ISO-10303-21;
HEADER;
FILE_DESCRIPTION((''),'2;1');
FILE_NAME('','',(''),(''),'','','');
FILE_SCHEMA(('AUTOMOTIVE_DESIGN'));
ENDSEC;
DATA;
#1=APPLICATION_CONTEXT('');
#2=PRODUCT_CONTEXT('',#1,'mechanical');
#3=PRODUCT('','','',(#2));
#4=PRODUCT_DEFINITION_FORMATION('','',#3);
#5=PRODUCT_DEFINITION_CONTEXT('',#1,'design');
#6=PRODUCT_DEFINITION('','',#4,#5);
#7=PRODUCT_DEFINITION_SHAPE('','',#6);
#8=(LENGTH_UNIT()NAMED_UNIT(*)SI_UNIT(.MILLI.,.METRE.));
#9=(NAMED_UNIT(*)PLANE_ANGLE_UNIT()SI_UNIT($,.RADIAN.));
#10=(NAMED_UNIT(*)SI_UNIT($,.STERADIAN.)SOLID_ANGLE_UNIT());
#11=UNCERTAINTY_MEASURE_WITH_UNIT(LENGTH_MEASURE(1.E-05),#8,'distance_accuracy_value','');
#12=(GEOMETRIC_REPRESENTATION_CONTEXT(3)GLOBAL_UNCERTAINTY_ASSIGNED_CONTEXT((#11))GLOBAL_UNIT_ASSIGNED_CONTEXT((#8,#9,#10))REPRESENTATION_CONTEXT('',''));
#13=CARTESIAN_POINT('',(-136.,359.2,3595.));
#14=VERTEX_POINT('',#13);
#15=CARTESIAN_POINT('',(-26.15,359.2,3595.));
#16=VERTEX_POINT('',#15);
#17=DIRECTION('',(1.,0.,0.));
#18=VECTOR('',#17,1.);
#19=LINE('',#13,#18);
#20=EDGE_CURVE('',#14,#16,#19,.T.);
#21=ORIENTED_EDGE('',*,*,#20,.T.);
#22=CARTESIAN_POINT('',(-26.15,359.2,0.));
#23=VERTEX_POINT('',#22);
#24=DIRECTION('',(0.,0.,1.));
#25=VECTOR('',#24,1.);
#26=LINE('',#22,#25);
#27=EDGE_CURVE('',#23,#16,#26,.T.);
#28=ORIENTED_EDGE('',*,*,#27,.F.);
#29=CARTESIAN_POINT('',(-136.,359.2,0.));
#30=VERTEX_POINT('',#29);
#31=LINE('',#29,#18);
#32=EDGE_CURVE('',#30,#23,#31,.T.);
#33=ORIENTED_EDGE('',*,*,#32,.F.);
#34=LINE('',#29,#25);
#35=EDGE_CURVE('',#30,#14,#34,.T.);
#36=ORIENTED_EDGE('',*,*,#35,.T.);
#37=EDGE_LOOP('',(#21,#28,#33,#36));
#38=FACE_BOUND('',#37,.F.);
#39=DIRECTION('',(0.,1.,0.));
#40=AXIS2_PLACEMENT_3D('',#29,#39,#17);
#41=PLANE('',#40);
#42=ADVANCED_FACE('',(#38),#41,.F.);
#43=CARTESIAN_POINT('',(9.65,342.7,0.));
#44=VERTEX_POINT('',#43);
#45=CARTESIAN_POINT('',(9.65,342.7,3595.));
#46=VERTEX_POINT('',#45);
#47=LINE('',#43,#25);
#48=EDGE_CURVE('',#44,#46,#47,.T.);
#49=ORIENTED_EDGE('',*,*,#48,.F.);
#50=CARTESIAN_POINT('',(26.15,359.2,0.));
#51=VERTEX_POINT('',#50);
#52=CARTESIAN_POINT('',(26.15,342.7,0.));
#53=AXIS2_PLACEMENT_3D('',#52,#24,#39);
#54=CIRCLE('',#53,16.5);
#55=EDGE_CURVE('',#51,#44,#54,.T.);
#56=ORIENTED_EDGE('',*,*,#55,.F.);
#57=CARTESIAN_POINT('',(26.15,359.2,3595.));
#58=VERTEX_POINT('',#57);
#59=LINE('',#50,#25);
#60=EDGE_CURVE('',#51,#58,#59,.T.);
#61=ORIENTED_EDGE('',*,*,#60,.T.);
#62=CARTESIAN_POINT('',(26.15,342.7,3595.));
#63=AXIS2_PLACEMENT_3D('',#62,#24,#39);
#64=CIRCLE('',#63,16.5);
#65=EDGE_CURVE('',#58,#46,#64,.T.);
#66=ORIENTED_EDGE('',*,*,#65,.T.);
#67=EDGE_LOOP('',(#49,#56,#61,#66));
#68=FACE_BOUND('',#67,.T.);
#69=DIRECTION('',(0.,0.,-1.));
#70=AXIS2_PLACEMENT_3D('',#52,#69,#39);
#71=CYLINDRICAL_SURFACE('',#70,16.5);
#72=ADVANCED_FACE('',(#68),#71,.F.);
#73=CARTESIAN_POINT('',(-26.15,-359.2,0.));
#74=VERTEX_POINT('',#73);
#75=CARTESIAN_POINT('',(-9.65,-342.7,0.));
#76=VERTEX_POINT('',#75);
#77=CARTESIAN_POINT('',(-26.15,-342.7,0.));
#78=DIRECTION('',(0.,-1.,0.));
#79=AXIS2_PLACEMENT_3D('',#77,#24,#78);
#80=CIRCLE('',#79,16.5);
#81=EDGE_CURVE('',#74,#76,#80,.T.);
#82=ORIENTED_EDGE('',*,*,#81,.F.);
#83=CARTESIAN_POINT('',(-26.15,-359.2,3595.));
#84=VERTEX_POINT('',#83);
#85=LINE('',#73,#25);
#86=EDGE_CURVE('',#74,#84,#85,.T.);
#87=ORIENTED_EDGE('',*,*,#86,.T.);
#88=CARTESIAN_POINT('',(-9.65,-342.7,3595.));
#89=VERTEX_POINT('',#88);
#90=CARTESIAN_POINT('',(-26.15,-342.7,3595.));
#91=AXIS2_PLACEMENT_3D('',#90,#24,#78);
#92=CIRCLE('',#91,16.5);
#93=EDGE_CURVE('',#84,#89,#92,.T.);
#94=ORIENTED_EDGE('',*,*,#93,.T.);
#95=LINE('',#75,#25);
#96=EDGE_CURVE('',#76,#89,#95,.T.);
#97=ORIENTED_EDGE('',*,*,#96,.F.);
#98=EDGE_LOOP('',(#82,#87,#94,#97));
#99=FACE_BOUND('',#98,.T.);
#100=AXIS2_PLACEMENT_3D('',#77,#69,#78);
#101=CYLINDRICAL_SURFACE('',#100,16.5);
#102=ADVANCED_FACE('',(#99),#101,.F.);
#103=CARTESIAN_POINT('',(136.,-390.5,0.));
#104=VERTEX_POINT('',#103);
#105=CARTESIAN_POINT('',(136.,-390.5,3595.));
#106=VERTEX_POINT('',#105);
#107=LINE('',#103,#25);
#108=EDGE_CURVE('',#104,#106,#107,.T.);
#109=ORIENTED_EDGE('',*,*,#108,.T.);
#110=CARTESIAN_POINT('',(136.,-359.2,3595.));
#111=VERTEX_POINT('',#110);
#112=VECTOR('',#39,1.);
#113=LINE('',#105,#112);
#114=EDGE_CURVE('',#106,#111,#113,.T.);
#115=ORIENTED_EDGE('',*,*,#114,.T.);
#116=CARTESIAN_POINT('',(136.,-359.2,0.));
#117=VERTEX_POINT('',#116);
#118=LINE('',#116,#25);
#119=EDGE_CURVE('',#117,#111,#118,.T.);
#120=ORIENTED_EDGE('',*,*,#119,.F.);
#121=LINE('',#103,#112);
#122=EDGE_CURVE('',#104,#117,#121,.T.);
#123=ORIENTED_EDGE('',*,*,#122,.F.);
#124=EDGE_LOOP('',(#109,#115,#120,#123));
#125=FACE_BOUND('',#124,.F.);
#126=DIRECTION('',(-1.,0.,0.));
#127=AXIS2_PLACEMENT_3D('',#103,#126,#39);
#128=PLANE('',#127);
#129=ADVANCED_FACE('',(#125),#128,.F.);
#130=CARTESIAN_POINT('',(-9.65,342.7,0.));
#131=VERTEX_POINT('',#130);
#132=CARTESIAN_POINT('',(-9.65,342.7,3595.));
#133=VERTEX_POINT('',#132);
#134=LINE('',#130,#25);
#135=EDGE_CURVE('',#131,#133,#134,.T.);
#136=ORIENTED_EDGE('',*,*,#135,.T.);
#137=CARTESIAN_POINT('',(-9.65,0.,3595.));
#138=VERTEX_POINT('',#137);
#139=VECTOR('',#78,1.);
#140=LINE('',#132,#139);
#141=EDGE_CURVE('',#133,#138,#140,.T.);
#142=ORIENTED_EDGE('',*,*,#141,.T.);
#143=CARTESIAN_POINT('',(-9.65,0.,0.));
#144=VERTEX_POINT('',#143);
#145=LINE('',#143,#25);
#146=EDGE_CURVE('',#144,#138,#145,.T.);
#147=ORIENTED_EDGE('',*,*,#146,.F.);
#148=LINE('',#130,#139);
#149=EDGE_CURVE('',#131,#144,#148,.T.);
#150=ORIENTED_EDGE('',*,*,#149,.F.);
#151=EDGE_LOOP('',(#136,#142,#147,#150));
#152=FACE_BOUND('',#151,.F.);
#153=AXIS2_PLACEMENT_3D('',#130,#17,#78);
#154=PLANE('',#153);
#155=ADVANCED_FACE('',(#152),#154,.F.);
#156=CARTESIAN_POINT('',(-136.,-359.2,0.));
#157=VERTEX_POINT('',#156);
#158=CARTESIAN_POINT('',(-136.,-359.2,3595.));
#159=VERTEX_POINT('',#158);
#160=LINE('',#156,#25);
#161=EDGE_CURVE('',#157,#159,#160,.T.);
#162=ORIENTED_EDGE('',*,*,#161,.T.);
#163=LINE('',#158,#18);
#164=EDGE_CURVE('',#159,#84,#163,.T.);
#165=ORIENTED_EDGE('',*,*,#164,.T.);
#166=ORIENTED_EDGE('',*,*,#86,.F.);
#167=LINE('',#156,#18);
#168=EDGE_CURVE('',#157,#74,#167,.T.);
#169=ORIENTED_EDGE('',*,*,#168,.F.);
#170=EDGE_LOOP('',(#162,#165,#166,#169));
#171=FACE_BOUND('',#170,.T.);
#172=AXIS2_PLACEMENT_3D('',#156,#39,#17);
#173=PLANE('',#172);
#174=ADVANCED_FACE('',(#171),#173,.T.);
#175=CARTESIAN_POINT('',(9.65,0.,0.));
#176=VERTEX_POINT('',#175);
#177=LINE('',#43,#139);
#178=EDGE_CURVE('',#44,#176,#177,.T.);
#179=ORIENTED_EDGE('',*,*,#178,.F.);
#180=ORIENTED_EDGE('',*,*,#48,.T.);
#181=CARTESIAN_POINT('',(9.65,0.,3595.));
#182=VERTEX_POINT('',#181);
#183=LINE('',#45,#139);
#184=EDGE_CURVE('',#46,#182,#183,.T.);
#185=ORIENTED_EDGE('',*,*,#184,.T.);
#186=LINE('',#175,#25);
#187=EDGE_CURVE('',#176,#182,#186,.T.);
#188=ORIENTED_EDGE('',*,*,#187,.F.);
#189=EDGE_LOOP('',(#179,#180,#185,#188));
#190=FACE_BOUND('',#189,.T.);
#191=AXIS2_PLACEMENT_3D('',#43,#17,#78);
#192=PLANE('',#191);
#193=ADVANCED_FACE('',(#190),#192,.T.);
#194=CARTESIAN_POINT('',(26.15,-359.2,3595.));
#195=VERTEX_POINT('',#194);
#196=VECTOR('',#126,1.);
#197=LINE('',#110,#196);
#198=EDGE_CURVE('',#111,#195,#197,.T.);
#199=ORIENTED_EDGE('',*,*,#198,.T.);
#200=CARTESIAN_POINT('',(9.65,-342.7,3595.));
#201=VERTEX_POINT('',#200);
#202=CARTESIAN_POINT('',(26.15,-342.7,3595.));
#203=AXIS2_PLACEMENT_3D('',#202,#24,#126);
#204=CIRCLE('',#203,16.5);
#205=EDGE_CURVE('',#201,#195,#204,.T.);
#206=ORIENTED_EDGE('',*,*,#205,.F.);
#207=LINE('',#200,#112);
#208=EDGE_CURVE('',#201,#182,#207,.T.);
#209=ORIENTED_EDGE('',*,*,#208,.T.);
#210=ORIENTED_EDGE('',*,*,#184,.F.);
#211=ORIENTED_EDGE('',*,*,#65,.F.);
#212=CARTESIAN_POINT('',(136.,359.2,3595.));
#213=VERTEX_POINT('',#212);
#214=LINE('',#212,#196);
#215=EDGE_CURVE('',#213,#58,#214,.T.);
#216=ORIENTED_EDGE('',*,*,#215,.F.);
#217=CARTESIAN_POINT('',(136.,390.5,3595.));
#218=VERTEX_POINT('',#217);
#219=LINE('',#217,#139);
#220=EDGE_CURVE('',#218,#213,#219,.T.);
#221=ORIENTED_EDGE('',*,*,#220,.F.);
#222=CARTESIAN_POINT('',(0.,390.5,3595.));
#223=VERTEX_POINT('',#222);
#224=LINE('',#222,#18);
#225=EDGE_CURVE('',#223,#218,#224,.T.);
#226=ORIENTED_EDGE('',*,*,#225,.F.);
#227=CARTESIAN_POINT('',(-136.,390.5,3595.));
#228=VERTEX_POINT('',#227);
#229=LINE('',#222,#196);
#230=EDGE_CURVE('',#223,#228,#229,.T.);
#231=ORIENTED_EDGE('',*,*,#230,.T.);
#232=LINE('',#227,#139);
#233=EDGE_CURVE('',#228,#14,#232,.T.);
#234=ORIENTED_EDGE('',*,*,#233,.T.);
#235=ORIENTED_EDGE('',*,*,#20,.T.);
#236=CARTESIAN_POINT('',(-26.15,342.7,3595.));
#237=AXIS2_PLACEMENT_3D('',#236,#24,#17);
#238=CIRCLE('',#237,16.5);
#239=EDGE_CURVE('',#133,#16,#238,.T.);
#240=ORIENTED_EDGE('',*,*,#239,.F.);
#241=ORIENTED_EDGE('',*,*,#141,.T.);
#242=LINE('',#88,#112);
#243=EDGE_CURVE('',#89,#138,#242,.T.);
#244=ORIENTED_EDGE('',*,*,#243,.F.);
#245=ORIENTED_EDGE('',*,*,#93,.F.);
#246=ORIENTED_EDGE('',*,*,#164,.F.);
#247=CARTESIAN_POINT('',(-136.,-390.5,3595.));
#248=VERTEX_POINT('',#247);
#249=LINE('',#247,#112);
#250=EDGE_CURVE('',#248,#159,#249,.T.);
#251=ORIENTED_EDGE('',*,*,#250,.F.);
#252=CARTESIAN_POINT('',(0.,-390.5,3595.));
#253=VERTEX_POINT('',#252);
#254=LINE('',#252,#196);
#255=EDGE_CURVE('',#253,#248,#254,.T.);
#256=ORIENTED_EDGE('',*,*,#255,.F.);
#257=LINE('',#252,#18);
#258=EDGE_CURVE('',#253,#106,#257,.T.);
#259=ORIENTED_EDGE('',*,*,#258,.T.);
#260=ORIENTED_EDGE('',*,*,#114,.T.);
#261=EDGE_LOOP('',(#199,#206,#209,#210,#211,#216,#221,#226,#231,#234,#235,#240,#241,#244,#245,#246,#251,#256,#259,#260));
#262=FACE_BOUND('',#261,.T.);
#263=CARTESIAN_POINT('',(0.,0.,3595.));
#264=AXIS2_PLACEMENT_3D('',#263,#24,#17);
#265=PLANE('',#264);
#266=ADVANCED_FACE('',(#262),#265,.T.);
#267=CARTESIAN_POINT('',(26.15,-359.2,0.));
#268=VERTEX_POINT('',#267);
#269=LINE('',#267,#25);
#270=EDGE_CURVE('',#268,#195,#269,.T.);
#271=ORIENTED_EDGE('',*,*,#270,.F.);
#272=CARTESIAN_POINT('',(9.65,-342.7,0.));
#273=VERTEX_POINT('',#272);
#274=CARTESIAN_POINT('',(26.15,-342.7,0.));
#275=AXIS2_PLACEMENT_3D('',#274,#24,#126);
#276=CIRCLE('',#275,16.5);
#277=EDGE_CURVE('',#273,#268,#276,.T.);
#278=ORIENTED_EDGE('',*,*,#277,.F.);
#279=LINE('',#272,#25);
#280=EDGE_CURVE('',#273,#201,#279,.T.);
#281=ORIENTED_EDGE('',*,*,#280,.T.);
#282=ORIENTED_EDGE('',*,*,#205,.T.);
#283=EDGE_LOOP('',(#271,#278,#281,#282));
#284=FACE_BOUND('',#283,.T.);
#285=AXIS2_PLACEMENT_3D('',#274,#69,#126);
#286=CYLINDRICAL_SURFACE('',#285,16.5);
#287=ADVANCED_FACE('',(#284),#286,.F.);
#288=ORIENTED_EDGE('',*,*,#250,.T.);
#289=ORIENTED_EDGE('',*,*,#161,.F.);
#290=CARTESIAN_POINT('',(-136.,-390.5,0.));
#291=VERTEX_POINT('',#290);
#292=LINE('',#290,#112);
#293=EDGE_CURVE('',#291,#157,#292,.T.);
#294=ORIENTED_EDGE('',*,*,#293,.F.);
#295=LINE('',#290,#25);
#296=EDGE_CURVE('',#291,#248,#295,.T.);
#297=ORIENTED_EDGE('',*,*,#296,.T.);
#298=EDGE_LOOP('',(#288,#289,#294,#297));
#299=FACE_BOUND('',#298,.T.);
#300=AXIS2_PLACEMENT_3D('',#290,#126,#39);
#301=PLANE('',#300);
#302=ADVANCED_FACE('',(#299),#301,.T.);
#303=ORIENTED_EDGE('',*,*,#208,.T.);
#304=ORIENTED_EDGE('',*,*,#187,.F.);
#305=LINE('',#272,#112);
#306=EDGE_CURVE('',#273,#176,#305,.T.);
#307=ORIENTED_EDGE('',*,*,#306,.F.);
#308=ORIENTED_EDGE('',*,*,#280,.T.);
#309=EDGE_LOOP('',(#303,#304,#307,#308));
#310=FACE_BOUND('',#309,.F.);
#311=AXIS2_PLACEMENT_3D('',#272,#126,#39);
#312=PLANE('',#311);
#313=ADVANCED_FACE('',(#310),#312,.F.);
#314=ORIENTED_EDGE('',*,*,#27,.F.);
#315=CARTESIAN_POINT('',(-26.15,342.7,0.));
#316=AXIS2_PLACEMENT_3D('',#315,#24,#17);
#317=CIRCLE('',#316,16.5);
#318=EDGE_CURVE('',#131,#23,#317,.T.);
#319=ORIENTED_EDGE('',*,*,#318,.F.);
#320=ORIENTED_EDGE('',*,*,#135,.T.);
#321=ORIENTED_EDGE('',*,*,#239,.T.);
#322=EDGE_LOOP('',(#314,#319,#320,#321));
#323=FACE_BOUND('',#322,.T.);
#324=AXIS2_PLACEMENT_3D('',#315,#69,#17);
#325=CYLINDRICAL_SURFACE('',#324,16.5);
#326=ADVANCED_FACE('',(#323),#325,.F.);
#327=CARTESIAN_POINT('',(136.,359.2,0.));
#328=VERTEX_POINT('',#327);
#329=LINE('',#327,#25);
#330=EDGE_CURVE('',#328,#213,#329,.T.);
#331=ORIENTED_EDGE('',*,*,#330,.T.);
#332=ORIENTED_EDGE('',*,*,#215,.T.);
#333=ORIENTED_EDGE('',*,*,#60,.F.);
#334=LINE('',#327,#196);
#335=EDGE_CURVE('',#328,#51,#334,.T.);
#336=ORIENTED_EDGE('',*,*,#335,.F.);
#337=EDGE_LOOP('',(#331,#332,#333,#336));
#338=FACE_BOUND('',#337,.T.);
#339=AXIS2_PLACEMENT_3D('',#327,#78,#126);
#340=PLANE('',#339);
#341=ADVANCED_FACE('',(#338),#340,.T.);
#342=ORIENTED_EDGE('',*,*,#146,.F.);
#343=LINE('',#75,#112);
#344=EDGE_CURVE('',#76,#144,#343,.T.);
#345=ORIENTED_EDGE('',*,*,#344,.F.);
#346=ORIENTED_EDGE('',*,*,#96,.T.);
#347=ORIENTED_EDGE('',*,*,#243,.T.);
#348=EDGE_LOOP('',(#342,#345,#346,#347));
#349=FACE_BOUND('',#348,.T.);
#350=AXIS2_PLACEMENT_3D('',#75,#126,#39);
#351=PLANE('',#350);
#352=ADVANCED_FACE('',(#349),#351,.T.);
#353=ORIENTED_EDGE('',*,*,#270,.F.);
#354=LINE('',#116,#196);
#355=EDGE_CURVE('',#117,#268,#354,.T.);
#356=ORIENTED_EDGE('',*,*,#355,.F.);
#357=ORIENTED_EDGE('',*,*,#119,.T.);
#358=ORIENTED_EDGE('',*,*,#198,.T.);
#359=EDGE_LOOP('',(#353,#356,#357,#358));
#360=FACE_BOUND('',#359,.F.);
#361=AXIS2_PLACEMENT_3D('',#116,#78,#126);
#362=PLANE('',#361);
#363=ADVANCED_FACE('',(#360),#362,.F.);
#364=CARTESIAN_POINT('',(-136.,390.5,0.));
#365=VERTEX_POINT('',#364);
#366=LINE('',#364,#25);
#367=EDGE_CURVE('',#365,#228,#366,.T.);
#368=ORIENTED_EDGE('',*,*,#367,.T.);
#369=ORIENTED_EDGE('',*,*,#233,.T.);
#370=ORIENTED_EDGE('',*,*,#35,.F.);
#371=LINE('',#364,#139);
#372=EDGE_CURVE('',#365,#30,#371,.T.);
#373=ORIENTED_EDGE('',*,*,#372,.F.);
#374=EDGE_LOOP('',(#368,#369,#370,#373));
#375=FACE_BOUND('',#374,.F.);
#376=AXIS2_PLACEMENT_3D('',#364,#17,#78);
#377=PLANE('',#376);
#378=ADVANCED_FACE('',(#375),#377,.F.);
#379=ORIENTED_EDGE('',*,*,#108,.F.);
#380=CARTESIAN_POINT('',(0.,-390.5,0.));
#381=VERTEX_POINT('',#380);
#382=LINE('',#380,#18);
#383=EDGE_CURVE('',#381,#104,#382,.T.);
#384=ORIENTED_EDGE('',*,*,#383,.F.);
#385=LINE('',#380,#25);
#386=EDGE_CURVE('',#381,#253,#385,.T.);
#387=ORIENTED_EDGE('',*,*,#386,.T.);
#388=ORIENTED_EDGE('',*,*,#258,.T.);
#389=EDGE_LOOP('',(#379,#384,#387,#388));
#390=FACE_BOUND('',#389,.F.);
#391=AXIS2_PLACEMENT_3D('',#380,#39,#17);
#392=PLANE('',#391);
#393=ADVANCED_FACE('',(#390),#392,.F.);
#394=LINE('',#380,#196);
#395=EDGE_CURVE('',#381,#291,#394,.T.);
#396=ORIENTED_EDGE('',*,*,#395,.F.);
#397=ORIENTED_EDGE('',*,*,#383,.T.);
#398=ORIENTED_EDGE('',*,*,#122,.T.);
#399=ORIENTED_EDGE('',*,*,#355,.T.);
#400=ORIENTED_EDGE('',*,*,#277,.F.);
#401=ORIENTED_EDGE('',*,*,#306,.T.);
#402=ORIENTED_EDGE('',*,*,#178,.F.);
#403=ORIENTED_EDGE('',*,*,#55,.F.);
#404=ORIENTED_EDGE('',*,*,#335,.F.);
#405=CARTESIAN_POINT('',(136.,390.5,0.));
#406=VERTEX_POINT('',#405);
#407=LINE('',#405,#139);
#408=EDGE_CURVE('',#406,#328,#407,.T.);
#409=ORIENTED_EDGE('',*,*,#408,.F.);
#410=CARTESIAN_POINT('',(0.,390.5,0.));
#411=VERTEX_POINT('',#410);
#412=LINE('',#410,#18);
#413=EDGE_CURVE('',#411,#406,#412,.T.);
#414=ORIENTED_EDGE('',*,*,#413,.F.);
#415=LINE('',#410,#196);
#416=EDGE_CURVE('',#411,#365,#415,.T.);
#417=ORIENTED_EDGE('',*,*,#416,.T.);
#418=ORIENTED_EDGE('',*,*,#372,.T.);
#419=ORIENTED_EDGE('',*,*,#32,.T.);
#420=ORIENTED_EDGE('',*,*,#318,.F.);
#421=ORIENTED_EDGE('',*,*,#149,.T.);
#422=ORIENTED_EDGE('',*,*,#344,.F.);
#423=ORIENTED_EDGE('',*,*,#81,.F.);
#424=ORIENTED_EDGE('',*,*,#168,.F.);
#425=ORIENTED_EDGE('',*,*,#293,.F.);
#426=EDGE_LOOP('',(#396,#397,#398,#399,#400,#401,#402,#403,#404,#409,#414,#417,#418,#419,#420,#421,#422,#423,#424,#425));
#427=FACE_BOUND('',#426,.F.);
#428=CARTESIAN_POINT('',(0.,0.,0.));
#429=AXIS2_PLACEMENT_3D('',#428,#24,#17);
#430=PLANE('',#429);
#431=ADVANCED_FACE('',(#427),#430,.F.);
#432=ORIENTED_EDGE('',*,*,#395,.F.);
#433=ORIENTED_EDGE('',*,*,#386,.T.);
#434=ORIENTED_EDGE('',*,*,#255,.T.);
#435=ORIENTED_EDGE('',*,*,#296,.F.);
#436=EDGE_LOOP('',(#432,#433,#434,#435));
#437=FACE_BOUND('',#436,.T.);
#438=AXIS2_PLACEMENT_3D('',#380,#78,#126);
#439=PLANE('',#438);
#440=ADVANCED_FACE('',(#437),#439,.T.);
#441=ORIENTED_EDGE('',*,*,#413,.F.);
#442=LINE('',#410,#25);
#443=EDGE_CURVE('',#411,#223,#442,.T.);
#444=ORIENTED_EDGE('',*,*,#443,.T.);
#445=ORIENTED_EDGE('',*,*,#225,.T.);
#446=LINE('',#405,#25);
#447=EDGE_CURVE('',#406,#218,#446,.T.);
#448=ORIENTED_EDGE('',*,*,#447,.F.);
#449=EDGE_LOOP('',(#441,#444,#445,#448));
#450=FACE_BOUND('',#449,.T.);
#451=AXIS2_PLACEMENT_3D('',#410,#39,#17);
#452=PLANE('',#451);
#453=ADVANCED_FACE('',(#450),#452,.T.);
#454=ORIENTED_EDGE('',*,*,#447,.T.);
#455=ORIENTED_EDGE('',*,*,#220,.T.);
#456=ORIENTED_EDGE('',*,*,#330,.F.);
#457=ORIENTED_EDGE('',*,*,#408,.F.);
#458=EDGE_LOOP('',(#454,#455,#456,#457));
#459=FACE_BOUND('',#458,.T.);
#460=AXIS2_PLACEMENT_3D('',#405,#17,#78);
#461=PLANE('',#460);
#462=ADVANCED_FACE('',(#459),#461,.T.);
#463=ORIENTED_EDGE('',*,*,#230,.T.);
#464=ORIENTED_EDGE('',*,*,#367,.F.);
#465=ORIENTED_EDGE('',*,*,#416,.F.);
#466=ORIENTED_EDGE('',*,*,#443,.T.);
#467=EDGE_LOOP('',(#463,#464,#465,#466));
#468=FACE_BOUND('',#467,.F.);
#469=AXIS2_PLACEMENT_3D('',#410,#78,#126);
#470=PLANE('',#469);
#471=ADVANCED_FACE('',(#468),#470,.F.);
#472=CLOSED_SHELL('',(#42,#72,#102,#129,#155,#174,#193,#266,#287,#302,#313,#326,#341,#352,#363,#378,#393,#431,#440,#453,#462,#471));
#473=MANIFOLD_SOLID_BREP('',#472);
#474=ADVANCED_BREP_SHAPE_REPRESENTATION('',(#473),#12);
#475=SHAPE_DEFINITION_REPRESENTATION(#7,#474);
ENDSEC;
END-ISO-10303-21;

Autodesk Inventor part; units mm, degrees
ref_plane "YZ Plane" through (0, 0, 0) normal (1, 0, 0) x (0, 1, 0)
ref_plane "Start plane" through (0, 0, 0) normal (0, 0, 1) x (1, 0, 0)
ref_plane "End plane" through (0, 0, 3595) normal (0, 0, 1) x (1, 0, 0)
sketch "Sketch" plane through (0, 0, 0) normal (0, 0, 1) x (1, 0, 0)
  line L0 (-136, -390.5) -> (-136, -359.2)
  line L1 (-136, -359.2) -> (-26.15, -359.2)
  line L2 (-9.65, -342.7) -> (-9.65, 0)
  line L3 (-9.65, 0) -> (0, 0) construction
  line L4 (0, 0) -> (0, -390.5) construction
  line L5 (0, -390.5) -> (-136, -390.5)
  line L6 (-60, 0) -> (80, 0) construction
  line L7 (0, -60) -> (0, 80) construction
  line L8 (136, -390.5) -> (136, -359.2)
  line L9 (136, -359.2) -> (26.15, -359.2)
  line L10 (9.65, -342.7) -> (9.65, 0)
  line L11 (9.65, 0) -> (0, 0) construction
  line L12 (0, -390.5) -> (136, -390.5)
  line L13 (-136, 390.5) -> (-136, 359.2)
  line L14 (-136, 359.2) -> (-26.15, 359.2)
  line L15 (-9.65, 342.7) -> (-9.65, 0)
  line L16 (0, 390.5) -> (-136, 390.5)
  line L17 (136, 390.5) -> (136, 359.2)
  line L18 (136, 359.2) -> (26.15, 359.2)
  line L19 (0, 390.5) -> (136, 390.5)
  line L20 (9.65, 342.7) -> (9.65, 0)
  arc A0 (-9.65, 342.7) -> (-26.15, 359.2) centre (-26.15, 342.7) ccw
  arc A1 (26.15, 359.2) -> (9.65, 342.7) centre (26.15, 342.7) ccw
  arc A2 (9.65, -342.7) -> (26.15, -359.2) centre (26.15, -342.7) ccw
  arc A3 (-26.15, -359.2) -> (-9.65, -342.7) centre (-26.15, -342.7) ccw
  line L21 (0, 108) -> (0, -88) construction
  line L22 (-88, 0) -> (108, 0) construction
  point P0 (-9.65, -359.2)
  point P1 (9.65, -359.2)
  point P2 (-9.65, 359.2)
  point P3 (9.65, 359.2)
  dimension "d1" = 390.5
  dimension "d2" = 31.3
  dimension "d3" = 136
  dimension "d4" = 9.65
  dimension "d10" = 16.5
extrude "Body" add sketch "Sketch" along normal up to surface (3595 mm away) from surface at 0
sketch "Sketch4" plane through (0, 0, 0) normal (0, 0, 1) x (1, 0, 0)
  line L0 (0, 0) -> (10, 0)
ref_plane "Work Plane3" through (0, 0, 0) normal (0, -1, 0) x (1, 0, 0)
sketch "Sketch5" plane through (0, 0, 0) normal (0, -1, 0) x (1, 0, 0)
  line L0 (-2, 0) -> (12, 0) projected
  line L1 (-2, 3595) -> (12, 3595) projected
  dimension "d14" = 3595
equation "\"d1\" = 0.5 * G_H"
equation "\"d2\" = G_T1"
equation "\"d3\" = 0.5 * G_W"
equation "\"d4\" = 0.5 * G_T"
equation "\"d10\" = G_IR"
equation "\"d5\" = G_L"
equation "\"G_W\" = 272"
equation "\"G_H\" = 781"
equation "\"G_T\" = 19.3"
equation "\"G_T1\" = 31.3"
equation "\"G_IR\" = 16.5"
equation "\"G_L\" = d14"
equation "\"G_OFFSET_START\" = 0"
equation "\"G_OFFSET_END\" = 0"
equation "\"d12\" = G_OFFSET_END + B_L"
equation "\"B_L\" = 3595"
properties part number "AS 3679-1990 - 760 UB - 244 - 3595" material "Steel, Mild"
